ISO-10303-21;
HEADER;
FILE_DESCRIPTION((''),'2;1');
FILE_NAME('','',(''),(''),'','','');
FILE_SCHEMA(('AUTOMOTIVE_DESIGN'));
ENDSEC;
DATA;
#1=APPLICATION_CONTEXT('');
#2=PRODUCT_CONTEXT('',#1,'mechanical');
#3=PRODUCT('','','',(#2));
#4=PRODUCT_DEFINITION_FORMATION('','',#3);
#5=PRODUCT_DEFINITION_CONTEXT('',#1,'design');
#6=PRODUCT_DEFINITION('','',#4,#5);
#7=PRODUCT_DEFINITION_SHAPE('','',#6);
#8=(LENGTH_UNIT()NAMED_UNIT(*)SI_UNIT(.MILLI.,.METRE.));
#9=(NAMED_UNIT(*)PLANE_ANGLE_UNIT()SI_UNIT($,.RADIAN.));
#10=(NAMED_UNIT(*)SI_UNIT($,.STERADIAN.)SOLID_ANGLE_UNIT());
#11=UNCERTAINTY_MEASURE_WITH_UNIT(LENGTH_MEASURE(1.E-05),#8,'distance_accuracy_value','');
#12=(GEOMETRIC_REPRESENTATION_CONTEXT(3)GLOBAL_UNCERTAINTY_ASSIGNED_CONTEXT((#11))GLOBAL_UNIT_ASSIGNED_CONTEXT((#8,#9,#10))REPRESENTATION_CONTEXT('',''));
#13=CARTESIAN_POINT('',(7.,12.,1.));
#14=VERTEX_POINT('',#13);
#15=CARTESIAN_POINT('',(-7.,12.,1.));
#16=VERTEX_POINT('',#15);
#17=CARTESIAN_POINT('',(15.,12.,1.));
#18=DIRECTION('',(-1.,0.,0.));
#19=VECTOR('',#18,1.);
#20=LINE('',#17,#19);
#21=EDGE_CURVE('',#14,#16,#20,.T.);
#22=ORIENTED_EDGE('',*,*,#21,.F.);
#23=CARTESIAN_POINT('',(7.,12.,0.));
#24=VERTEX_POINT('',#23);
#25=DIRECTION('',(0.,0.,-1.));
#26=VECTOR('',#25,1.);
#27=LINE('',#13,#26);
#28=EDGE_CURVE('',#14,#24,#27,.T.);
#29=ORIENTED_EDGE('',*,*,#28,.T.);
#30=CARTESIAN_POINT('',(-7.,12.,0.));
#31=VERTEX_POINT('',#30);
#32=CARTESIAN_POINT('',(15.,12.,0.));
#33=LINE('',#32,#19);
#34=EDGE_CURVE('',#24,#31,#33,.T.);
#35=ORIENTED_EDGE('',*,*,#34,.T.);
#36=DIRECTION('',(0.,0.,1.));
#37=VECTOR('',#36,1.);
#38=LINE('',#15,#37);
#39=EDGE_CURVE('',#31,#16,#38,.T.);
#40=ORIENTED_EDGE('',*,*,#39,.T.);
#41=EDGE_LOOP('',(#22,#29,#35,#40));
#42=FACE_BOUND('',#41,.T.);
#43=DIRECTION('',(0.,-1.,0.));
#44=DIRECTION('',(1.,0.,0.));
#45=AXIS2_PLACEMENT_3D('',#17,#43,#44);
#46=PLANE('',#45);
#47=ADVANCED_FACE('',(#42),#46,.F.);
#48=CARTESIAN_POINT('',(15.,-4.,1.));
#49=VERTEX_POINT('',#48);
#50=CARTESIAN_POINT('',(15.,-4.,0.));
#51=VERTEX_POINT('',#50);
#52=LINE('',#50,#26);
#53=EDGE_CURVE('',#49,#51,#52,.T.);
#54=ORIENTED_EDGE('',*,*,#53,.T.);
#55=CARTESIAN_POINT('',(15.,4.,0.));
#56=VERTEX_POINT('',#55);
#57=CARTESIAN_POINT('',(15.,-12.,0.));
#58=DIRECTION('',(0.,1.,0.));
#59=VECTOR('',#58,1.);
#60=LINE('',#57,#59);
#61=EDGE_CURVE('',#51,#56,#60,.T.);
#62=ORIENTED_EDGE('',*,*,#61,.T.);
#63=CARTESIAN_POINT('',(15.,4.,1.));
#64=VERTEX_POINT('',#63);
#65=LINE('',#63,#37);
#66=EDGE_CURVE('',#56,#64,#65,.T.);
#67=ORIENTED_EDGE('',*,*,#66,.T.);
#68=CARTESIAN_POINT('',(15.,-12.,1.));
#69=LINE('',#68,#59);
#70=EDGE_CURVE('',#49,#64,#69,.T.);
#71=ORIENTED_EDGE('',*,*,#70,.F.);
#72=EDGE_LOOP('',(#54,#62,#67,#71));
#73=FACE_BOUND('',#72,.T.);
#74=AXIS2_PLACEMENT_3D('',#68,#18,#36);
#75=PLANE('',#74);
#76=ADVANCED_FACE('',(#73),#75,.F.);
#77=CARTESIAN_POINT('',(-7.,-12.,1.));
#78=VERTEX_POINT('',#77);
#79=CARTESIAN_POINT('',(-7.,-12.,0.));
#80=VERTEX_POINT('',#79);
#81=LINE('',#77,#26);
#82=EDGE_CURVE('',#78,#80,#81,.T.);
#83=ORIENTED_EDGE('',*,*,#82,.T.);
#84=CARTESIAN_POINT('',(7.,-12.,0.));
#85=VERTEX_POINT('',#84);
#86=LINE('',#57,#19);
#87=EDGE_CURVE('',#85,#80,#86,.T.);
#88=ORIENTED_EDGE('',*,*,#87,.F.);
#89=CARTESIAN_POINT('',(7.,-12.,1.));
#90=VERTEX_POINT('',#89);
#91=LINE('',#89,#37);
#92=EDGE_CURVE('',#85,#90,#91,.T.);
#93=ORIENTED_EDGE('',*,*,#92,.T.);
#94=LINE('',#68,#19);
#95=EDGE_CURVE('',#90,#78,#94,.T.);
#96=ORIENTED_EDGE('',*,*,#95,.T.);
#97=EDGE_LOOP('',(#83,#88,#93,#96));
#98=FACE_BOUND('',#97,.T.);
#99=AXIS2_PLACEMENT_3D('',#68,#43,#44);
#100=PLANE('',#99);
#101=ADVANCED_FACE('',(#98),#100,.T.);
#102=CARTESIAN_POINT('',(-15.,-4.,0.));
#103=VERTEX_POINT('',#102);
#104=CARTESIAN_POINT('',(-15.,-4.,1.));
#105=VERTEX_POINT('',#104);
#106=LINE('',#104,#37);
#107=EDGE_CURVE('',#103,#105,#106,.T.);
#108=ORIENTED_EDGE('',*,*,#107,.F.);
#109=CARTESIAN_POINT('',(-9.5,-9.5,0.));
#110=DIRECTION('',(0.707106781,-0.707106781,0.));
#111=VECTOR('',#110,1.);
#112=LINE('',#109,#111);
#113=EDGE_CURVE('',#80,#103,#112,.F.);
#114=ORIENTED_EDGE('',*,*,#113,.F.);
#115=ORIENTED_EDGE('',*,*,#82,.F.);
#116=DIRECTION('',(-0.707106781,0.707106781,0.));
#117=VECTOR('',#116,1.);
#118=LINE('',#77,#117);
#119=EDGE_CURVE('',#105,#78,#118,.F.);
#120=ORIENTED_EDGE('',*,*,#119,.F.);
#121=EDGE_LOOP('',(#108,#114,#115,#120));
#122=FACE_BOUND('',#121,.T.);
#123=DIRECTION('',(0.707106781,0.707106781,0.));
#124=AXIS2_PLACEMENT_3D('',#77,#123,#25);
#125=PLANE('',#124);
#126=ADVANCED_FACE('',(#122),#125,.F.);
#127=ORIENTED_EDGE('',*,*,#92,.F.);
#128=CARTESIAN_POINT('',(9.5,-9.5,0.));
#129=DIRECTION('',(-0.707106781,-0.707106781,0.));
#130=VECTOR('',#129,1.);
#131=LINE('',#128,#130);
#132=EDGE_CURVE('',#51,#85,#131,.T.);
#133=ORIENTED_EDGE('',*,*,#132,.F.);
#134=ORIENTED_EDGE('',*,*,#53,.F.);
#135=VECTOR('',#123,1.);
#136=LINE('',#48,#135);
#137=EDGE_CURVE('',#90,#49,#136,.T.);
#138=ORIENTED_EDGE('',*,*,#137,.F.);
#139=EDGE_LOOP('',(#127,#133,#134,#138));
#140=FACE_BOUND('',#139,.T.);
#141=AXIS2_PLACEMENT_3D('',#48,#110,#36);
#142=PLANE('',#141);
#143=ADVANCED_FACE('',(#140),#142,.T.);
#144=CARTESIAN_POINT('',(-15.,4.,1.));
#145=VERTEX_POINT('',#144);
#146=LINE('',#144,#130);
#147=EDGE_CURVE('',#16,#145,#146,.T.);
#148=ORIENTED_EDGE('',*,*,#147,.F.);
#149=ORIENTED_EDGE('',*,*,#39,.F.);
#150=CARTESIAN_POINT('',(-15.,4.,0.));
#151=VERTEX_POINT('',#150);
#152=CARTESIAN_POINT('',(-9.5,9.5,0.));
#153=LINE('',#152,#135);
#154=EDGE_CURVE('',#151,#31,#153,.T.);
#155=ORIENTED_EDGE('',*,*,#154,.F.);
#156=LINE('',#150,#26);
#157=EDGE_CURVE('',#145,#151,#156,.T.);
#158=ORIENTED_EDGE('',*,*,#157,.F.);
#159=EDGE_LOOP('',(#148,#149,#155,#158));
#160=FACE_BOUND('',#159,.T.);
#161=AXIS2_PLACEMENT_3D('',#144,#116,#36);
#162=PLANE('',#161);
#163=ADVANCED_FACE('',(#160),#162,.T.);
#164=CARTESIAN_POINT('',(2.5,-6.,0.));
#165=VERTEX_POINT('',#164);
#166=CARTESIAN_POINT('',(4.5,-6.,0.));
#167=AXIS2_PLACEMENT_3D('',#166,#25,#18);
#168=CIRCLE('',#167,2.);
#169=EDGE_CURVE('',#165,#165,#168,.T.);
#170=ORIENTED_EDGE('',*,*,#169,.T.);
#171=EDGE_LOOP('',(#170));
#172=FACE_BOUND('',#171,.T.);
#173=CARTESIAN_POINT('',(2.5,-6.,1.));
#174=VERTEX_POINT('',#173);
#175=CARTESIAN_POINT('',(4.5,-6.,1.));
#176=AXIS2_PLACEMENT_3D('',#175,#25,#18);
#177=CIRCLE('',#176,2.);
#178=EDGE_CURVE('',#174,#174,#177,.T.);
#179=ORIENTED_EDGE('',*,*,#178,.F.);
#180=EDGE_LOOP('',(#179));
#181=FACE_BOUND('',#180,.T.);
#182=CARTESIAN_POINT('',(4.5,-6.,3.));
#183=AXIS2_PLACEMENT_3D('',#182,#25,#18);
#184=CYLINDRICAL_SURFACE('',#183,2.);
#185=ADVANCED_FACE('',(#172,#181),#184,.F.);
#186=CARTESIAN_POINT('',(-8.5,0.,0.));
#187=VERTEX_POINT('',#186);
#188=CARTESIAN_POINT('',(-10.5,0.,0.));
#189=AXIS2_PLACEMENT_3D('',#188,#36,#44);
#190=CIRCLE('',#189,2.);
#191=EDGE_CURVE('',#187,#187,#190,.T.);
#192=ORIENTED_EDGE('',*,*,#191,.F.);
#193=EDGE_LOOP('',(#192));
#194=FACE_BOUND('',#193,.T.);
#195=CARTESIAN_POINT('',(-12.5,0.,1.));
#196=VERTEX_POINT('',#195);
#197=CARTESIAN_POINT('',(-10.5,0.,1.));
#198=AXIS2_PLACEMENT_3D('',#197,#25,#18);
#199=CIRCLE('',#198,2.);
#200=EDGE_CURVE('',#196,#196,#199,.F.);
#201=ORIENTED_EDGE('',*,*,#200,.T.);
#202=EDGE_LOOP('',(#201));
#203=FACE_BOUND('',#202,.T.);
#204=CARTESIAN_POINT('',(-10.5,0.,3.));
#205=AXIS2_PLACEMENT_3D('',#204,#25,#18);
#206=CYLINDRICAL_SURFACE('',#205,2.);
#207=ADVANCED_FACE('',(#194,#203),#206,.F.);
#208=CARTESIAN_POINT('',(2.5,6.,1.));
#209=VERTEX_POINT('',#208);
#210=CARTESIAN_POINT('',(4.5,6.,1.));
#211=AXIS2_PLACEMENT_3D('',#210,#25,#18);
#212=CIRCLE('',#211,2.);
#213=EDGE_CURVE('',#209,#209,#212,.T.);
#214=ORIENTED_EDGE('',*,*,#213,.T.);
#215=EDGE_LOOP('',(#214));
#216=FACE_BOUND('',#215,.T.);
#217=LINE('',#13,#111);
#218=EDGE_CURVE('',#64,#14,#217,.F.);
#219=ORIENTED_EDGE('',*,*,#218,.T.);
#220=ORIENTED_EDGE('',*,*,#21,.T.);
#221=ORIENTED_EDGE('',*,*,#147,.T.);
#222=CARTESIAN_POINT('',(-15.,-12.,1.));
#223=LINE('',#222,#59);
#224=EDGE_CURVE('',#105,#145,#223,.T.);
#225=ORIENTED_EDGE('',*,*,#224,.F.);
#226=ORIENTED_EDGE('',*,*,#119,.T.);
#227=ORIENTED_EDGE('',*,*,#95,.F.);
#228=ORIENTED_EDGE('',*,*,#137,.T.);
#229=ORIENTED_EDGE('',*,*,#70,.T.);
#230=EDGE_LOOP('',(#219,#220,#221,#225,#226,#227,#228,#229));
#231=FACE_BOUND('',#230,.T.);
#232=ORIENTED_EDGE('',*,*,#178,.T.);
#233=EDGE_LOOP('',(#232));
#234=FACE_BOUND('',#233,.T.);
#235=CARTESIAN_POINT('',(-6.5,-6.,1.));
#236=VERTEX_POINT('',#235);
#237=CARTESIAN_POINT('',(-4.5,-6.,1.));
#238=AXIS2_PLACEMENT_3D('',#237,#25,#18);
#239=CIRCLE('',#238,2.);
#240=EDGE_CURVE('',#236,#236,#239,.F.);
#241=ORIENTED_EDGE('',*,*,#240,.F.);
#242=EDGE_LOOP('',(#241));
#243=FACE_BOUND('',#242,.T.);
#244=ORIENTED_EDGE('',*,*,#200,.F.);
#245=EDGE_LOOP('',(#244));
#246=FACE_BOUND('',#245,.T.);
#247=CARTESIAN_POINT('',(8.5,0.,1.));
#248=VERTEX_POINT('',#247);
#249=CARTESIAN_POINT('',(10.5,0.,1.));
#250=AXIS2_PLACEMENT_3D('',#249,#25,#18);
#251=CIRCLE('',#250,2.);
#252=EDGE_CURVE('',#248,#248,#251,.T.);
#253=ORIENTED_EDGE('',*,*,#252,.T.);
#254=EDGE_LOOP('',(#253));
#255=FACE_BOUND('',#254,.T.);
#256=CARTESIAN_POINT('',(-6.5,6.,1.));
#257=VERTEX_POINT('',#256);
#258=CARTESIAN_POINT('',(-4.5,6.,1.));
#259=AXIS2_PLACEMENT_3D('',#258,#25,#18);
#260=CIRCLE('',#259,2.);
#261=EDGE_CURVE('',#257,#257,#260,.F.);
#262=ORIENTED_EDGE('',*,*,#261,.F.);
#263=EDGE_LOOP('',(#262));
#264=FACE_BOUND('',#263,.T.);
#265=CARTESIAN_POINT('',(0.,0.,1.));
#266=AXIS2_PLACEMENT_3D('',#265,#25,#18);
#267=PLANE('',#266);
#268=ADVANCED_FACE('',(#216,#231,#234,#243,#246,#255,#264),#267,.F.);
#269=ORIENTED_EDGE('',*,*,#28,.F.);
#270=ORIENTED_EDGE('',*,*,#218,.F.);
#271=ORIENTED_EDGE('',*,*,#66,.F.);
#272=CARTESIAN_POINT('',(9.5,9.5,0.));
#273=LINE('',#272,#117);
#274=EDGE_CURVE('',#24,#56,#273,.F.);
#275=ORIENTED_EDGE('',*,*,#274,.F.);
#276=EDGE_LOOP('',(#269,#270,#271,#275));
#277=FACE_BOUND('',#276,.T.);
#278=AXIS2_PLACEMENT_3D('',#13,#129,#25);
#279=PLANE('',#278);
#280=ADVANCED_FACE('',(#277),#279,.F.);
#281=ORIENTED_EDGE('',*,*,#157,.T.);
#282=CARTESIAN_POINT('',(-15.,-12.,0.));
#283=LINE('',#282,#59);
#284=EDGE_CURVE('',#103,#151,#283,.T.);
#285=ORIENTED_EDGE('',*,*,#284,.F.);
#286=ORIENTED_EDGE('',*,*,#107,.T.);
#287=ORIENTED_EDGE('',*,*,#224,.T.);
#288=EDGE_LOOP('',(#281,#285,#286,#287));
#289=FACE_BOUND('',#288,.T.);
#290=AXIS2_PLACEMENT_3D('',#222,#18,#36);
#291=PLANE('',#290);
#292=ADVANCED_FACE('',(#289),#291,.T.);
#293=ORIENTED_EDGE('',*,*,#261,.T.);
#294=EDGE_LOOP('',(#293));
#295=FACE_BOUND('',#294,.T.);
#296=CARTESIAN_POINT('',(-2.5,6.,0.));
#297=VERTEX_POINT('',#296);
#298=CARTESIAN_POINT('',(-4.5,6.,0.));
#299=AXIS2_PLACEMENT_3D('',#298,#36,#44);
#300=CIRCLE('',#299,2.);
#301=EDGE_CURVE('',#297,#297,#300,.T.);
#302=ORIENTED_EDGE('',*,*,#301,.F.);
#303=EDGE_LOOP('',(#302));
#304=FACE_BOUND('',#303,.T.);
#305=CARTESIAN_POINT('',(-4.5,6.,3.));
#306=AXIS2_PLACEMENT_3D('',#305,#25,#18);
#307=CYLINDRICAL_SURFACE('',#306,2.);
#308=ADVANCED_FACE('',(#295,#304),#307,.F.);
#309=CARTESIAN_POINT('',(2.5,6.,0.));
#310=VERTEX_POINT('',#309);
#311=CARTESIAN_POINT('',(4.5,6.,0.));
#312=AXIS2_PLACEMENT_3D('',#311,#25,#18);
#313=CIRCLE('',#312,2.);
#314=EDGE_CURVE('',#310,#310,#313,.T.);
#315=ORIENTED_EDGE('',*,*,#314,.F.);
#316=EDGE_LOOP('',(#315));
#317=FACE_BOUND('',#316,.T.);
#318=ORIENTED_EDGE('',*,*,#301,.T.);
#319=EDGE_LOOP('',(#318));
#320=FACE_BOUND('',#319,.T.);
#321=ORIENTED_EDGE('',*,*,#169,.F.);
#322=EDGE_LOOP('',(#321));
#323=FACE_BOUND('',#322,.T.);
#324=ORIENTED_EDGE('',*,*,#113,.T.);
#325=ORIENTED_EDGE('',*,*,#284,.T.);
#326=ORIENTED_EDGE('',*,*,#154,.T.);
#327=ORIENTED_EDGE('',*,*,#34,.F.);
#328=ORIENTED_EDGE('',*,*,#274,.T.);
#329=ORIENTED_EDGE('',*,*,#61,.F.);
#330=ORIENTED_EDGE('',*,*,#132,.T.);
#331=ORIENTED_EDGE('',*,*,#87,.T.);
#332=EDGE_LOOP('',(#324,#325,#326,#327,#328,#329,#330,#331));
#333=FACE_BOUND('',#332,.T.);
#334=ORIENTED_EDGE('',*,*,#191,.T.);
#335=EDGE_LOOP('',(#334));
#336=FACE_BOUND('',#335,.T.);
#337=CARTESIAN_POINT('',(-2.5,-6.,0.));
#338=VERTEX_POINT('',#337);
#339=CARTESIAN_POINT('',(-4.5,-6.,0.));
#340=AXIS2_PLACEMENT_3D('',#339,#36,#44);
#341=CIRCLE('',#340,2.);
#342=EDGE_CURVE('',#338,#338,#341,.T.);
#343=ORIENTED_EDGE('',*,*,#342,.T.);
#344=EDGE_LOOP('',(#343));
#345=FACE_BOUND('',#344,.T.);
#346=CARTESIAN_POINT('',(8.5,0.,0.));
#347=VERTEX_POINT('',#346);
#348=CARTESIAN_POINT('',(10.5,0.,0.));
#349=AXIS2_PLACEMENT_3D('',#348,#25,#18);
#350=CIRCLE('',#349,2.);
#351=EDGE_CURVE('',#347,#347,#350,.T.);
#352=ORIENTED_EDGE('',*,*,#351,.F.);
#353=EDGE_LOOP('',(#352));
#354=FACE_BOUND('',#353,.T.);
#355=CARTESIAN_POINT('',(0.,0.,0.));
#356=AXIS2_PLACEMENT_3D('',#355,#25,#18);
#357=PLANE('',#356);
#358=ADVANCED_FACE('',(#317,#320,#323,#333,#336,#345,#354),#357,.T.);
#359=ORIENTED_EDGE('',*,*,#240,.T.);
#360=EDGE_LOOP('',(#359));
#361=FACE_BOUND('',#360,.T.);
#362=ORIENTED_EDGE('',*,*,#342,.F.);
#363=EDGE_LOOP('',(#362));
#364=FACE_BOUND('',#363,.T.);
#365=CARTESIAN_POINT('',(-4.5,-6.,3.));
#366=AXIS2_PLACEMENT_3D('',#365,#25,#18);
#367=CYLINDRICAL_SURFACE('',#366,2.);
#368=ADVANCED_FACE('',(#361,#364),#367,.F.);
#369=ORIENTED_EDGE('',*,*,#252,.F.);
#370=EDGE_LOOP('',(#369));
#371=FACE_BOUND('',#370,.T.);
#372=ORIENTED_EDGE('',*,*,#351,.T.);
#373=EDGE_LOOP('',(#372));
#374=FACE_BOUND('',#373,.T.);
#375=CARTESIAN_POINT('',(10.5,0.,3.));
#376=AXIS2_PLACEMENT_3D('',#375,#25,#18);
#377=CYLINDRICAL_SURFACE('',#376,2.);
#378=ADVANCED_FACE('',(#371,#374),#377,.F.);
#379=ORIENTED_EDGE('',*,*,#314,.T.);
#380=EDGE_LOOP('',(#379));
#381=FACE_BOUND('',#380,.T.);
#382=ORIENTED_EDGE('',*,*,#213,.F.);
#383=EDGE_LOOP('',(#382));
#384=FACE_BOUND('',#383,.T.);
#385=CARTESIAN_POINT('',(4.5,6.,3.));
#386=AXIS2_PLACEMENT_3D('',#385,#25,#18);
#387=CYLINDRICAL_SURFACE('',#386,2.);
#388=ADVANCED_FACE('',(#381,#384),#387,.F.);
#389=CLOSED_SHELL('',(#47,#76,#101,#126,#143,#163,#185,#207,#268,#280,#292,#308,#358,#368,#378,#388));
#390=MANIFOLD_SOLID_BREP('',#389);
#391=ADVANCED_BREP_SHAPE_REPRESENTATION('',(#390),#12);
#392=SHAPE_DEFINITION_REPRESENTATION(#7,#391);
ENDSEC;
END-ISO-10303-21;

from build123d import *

# Parameters (mm, degrees)
SKETCH1_W           = 30
SKETCH1_H           = 24
BOSS_EXTRUDE1_DEPTH = 1
SKETCH3_R           = 2
CUT_EXTRUDE1_DEPTH  = 3
CHAMFER1_SIZE       = 8


with BuildPart() as part:
    # Sketch1 → Boss-Extrude1 (new body)
    with BuildSketch(Plane.XY):
        Rectangle(SKETCH1_W, SKETCH1_H)
    extrude(amount=BOSS_EXTRUDE1_DEPTH)

    # Sketch3 → Cut-Extrude1 (cut)
    with BuildSketch(Plane(origin=(0, 0, 0), x_dir=(-1, 0, 0), z_dir=(0, 0, -1))):
        with Locations((-4.5, 6)):
            Circle(SKETCH3_R)
        with Locations((-4.5, -6)):
            Circle(SKETCH3_R)
        with Locations((-10.5, 0)):
            Circle(SKETCH3_R)
    cut_extrude1 = extrude(amount=-CUT_EXTRUDE1_DEPTH, mode=Mode.SUBTRACT)

    # Chamfer1
    chamfer1_edges = [part.edges().sort_by_distance(p)[0] for p in [
        (15, -12, 0.5),
        (15, 12, 0.5),
        (-15, 12, 0.5),
        (-15, -12, 0.5),
    ]]
    chamfer(chamfer1_edges, length=CHAMFER1_SIZE)

    # Mirror1: Cut-Extrude1 across plane
    add(cut_extrude1.mirror(Plane(origin=(0, 0, 0), x_dir=(0, 0, 1), z_dir=(1, 0, 0))), mode=Mode.SUBTRACT)


solid = part.part
